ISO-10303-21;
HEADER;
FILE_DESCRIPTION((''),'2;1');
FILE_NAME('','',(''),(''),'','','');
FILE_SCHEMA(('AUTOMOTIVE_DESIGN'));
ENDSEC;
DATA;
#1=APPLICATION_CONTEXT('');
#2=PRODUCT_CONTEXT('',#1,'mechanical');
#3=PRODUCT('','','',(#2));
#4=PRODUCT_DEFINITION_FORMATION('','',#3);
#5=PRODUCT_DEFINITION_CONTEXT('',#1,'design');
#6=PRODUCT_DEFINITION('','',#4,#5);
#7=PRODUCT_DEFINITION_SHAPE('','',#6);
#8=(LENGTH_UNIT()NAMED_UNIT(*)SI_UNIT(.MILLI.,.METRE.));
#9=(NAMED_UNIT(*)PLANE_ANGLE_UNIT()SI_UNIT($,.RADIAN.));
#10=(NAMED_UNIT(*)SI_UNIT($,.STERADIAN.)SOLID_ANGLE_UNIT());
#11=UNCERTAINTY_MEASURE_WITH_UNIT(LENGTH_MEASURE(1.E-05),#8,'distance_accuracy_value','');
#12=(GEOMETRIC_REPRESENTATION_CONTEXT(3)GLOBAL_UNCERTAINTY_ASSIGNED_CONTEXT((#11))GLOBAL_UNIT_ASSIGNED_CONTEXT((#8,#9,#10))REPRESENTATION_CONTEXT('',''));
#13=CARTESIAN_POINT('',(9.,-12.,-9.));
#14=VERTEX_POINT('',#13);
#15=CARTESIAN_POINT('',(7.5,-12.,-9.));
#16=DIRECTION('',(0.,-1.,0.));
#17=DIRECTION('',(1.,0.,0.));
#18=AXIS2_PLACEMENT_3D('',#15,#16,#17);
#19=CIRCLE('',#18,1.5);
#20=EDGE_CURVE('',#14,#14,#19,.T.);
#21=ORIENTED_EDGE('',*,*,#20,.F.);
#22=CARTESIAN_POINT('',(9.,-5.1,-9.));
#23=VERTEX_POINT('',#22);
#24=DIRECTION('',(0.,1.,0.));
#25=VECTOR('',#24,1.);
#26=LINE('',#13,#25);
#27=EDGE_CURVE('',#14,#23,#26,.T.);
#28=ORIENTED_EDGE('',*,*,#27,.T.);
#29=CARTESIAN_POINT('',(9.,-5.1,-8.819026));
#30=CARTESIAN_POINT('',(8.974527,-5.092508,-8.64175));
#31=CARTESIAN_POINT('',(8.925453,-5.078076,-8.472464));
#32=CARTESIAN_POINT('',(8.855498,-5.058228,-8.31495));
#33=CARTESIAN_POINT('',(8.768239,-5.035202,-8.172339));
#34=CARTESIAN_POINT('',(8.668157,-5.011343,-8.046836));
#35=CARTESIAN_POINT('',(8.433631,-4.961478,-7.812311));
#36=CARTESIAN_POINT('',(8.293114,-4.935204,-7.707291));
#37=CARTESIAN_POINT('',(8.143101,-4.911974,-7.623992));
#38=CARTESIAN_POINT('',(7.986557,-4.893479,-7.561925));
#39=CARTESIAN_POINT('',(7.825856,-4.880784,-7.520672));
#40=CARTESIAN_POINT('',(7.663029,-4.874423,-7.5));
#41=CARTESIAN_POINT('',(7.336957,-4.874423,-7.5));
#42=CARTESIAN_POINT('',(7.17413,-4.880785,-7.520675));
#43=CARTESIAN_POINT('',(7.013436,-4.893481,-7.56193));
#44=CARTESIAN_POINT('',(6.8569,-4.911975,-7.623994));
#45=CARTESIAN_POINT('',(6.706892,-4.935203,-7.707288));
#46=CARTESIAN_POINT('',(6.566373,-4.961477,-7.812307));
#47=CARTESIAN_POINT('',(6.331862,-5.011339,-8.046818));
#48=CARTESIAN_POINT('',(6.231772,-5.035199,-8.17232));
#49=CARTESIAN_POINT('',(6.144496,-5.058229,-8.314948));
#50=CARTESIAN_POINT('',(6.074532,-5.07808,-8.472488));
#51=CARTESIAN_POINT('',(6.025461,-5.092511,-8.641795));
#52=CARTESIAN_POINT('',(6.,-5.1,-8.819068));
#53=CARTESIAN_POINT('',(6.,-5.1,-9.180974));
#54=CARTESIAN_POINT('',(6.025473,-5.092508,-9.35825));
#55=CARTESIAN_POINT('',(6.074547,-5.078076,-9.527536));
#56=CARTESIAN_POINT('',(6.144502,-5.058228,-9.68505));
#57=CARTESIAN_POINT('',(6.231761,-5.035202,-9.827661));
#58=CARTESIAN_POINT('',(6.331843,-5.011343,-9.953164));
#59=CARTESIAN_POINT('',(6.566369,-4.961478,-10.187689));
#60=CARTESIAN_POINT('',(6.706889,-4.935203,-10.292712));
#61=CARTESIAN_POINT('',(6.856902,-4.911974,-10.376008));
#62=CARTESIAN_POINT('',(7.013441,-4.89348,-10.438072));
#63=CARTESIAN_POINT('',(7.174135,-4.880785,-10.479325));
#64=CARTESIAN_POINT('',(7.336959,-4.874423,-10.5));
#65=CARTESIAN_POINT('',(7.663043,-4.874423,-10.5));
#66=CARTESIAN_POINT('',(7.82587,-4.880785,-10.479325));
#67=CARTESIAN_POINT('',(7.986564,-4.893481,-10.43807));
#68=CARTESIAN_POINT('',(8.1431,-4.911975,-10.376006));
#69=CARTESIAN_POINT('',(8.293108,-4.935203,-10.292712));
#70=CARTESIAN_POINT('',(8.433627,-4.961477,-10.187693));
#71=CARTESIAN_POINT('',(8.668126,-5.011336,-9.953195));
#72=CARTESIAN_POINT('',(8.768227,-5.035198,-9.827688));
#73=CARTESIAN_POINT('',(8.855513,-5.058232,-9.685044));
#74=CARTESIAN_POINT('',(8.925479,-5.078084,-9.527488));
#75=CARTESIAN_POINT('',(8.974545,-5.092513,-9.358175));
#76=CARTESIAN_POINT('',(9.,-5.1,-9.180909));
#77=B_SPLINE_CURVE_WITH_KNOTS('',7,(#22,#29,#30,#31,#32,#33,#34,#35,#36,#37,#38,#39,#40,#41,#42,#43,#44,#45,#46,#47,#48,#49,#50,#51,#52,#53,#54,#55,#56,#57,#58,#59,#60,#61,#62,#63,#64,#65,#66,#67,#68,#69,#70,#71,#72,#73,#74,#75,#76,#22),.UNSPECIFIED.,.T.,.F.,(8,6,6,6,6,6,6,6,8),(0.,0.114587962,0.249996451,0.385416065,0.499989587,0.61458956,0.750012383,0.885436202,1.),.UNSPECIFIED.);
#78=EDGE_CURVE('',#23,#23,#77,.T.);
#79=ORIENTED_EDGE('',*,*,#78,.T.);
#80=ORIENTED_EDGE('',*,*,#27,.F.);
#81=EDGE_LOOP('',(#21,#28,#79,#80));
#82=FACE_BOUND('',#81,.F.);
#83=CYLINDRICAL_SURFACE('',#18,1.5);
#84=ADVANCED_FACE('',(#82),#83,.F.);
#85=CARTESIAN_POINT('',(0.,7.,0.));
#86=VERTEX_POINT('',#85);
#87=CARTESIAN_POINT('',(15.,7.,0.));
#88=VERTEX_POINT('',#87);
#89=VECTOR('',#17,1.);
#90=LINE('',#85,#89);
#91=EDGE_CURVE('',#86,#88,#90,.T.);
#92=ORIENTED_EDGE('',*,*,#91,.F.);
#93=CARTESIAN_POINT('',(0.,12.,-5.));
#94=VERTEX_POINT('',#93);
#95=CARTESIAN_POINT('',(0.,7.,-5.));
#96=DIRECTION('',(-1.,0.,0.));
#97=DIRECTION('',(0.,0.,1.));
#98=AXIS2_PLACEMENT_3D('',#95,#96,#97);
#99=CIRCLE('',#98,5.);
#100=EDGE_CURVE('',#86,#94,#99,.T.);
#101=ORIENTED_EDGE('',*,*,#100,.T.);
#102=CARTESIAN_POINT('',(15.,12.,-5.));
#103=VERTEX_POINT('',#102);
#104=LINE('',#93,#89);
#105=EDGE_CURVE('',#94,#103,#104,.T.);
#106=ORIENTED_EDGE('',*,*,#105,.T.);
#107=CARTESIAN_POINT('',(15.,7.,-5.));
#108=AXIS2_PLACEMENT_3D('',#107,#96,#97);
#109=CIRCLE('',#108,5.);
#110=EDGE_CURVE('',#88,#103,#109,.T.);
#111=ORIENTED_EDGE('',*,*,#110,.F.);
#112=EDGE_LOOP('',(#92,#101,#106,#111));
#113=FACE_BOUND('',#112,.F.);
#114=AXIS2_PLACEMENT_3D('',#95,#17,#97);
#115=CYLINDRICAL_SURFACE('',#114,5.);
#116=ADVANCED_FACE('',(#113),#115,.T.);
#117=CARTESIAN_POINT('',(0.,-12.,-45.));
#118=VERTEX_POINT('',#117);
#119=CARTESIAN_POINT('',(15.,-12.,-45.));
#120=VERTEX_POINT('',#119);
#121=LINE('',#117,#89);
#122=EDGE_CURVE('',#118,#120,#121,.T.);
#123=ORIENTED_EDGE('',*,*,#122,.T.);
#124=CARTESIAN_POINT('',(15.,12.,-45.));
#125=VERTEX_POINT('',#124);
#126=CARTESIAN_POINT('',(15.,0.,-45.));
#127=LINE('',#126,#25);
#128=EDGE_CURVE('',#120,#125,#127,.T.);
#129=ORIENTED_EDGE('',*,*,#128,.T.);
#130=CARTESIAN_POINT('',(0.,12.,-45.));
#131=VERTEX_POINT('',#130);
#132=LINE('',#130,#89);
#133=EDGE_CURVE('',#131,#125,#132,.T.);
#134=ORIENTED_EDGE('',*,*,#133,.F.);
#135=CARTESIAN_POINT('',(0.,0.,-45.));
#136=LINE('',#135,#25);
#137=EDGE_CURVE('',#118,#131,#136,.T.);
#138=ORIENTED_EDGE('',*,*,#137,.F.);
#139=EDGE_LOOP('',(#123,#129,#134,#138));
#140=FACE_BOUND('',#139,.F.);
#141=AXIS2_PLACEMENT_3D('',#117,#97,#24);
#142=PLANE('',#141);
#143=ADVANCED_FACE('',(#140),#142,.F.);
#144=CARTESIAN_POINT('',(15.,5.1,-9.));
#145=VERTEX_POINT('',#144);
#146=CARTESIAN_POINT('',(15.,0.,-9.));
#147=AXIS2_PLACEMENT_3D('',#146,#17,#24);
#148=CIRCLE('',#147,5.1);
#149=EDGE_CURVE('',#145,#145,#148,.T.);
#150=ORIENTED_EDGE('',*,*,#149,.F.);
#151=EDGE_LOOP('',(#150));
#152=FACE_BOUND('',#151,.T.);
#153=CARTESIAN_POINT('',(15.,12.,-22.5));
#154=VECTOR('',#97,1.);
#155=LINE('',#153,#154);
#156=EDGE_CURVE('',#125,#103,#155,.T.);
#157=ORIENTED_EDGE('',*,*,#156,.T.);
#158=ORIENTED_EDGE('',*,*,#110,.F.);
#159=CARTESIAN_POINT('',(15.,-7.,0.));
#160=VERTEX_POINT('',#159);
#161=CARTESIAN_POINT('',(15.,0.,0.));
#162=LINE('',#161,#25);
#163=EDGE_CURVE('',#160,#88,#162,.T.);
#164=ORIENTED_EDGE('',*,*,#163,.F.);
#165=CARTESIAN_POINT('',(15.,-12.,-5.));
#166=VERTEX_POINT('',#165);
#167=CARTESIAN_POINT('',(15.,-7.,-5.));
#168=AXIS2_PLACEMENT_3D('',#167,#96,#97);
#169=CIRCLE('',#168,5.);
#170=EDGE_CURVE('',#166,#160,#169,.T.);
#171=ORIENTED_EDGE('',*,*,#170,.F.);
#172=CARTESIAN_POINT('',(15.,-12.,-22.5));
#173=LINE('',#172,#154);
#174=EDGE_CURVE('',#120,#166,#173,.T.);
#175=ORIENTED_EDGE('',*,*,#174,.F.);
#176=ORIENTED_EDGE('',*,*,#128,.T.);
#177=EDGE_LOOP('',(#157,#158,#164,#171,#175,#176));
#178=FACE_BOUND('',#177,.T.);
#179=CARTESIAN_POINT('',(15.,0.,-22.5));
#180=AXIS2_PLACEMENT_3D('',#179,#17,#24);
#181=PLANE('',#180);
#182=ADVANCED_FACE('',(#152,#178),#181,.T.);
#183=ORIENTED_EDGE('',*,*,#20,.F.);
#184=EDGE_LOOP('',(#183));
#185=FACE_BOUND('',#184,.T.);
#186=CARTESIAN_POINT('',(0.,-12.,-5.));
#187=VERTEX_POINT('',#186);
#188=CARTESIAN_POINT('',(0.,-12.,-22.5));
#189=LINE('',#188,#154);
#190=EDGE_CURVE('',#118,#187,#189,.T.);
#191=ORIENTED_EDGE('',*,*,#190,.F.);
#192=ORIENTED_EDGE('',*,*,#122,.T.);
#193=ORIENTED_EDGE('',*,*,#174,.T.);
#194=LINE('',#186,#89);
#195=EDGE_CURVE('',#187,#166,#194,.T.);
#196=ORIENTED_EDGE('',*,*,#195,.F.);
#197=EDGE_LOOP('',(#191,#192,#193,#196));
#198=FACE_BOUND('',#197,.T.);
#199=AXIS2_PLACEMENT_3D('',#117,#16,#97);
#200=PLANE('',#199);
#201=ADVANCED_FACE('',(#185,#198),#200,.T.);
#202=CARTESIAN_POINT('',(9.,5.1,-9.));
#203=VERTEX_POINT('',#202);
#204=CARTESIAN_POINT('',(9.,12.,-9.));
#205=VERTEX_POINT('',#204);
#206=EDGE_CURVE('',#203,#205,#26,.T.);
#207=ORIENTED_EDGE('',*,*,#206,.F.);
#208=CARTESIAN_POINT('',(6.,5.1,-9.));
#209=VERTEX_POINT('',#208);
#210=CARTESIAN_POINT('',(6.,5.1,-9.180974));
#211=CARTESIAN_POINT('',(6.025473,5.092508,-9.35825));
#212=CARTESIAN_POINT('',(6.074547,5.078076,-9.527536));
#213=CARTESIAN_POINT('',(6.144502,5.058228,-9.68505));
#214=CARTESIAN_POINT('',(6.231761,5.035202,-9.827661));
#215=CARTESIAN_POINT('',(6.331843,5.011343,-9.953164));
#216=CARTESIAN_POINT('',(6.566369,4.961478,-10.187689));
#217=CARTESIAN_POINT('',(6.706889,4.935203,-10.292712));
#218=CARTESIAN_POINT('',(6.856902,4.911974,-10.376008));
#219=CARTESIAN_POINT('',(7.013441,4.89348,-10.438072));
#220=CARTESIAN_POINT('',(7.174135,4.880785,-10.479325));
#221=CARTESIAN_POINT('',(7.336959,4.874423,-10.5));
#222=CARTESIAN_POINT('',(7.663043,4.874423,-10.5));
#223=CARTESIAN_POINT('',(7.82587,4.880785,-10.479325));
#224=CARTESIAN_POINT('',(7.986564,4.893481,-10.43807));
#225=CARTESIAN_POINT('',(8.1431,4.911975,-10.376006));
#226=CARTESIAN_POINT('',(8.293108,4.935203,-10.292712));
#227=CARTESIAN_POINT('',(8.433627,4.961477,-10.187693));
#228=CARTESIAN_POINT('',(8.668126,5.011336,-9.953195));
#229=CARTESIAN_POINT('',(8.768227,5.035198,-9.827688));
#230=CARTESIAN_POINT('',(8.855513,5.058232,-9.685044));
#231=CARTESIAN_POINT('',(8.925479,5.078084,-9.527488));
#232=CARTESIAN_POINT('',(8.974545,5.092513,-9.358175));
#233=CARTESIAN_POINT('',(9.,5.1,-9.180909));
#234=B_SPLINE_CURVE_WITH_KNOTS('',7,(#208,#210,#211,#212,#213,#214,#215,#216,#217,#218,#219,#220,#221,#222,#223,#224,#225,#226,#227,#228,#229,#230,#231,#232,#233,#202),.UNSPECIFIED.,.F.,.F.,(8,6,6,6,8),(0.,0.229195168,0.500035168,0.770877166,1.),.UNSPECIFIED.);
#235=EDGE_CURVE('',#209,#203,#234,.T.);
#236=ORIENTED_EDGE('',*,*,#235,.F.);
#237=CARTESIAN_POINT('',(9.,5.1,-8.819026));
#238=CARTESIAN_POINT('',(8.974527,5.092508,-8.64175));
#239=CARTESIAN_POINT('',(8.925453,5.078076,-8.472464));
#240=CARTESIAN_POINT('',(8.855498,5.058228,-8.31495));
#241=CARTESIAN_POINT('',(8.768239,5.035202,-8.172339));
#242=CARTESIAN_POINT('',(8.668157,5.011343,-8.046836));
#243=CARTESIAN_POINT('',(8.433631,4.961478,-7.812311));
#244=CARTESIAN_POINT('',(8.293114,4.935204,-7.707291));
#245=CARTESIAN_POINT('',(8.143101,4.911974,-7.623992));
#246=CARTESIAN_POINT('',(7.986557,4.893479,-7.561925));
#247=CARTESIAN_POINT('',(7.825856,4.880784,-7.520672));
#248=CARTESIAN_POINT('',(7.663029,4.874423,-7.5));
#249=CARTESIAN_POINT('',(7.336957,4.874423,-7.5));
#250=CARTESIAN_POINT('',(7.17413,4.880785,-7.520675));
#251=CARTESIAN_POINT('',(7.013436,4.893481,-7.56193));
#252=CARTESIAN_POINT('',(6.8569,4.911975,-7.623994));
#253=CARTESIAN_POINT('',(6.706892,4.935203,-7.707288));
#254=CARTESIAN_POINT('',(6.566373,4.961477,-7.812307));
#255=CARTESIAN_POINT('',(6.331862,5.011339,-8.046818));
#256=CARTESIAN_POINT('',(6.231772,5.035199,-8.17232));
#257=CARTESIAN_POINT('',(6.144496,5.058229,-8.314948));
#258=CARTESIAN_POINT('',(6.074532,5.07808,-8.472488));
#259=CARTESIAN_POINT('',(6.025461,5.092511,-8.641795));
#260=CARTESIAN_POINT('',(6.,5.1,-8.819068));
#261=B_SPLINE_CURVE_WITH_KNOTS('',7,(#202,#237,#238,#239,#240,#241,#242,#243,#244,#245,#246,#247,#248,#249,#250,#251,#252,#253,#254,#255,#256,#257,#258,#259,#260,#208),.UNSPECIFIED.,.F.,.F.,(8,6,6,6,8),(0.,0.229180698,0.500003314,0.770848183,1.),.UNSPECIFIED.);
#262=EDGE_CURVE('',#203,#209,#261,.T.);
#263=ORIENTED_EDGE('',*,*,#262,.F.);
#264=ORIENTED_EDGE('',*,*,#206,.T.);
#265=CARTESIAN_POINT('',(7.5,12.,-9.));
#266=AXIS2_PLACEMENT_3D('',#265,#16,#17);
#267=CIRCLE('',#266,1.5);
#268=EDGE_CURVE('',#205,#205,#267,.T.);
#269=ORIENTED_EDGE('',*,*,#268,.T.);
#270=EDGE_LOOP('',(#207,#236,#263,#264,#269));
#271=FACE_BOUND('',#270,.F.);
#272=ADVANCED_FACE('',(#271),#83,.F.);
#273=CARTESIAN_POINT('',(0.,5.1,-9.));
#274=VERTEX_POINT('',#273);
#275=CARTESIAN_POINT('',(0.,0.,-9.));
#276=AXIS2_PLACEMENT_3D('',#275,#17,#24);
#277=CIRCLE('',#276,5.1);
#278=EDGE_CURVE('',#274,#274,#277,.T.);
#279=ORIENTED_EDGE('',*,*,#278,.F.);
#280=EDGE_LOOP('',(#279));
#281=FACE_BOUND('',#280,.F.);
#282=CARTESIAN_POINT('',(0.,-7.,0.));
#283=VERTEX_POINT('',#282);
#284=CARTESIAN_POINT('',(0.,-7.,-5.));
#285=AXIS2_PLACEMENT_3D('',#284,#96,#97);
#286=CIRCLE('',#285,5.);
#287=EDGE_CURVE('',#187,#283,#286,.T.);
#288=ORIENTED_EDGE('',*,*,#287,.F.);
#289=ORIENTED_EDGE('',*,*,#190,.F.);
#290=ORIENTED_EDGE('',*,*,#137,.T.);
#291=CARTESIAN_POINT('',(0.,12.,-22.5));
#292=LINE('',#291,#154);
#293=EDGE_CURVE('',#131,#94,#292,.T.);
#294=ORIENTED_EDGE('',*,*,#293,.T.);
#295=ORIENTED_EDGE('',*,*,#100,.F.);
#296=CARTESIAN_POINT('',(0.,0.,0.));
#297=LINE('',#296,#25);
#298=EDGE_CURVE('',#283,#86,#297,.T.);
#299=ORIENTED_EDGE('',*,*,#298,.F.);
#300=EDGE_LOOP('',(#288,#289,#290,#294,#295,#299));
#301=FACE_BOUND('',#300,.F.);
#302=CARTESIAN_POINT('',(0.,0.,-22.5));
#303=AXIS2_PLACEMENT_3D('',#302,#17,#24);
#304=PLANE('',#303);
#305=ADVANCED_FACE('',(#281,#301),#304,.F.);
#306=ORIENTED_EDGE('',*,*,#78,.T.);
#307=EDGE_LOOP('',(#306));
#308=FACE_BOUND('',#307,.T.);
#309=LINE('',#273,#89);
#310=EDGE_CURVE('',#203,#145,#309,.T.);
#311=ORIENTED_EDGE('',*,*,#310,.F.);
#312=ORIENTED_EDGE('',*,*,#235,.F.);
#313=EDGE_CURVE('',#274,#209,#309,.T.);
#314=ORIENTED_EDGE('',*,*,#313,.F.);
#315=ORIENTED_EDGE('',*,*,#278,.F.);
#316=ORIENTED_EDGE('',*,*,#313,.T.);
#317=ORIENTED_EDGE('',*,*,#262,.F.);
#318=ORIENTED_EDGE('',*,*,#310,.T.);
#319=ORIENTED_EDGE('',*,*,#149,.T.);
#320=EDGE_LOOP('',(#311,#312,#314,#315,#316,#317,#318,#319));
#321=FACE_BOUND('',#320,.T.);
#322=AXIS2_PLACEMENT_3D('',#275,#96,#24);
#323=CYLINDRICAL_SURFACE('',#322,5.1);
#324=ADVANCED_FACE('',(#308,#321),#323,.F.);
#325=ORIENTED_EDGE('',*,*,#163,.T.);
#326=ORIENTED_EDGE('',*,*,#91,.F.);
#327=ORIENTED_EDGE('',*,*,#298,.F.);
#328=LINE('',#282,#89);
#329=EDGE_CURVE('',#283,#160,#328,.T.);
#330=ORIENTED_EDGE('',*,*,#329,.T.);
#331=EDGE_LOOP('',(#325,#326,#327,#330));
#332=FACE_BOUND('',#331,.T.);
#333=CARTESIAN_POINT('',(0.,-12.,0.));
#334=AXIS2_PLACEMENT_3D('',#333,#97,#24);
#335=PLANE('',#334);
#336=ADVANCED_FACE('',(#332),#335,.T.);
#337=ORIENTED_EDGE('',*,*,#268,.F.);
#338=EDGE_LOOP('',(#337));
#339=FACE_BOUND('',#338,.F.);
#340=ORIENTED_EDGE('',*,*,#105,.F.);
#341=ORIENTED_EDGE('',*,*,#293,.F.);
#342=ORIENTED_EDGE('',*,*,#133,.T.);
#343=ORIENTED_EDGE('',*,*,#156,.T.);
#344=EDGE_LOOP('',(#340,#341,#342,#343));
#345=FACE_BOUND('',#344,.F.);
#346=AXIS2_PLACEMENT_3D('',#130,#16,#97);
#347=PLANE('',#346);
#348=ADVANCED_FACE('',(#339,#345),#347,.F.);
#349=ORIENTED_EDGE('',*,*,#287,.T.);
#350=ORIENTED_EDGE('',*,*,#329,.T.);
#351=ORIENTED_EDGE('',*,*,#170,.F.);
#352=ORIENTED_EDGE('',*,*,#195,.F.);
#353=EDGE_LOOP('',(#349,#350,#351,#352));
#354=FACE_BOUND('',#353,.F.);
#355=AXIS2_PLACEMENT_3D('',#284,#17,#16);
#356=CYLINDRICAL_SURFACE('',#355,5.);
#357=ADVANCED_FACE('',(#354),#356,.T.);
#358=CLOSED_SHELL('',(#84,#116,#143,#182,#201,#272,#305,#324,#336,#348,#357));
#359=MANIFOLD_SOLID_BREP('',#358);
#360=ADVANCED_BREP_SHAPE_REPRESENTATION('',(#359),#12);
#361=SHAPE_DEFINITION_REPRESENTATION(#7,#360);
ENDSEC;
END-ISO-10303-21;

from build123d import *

# Parameters (mm, degrees)
F0_W     = 24
F0_H     = 45
F0_R     = 5.1
F1_DEPTH = 15
F2_R     = 5
F3_R     = 1.5
F4_DEPTH = 24


with BuildPart() as f1:
    # F0 (on Right) → F1 (new body)
    with BuildSketch(Plane.YZ):
        with Locations((0, -22.5)):
            Rectangle(F0_W, F0_H)
        with Locations((0, -9)):
            Circle(F0_R, mode=Mode.SUBTRACT)
    extrude(amount=F1_DEPTH)

    # F2
    f2_edges = [f1.edges().sort_by_distance(p)[0] for p in [
        (7.5, 12, 0),
        (7.5, -12, 0),
    ]]
    fillet(f2_edges, radius=F2_R)

    # F3 (on face) → F4 (cut, through all)
    with BuildSketch(Plane.XZ.offset(12)):
        with Locations((7.5, -9)):
            Circle(F3_R)
    extrude(amount=-F4_DEPTH, mode=Mode.SUBTRACT)


solid = f1.part
